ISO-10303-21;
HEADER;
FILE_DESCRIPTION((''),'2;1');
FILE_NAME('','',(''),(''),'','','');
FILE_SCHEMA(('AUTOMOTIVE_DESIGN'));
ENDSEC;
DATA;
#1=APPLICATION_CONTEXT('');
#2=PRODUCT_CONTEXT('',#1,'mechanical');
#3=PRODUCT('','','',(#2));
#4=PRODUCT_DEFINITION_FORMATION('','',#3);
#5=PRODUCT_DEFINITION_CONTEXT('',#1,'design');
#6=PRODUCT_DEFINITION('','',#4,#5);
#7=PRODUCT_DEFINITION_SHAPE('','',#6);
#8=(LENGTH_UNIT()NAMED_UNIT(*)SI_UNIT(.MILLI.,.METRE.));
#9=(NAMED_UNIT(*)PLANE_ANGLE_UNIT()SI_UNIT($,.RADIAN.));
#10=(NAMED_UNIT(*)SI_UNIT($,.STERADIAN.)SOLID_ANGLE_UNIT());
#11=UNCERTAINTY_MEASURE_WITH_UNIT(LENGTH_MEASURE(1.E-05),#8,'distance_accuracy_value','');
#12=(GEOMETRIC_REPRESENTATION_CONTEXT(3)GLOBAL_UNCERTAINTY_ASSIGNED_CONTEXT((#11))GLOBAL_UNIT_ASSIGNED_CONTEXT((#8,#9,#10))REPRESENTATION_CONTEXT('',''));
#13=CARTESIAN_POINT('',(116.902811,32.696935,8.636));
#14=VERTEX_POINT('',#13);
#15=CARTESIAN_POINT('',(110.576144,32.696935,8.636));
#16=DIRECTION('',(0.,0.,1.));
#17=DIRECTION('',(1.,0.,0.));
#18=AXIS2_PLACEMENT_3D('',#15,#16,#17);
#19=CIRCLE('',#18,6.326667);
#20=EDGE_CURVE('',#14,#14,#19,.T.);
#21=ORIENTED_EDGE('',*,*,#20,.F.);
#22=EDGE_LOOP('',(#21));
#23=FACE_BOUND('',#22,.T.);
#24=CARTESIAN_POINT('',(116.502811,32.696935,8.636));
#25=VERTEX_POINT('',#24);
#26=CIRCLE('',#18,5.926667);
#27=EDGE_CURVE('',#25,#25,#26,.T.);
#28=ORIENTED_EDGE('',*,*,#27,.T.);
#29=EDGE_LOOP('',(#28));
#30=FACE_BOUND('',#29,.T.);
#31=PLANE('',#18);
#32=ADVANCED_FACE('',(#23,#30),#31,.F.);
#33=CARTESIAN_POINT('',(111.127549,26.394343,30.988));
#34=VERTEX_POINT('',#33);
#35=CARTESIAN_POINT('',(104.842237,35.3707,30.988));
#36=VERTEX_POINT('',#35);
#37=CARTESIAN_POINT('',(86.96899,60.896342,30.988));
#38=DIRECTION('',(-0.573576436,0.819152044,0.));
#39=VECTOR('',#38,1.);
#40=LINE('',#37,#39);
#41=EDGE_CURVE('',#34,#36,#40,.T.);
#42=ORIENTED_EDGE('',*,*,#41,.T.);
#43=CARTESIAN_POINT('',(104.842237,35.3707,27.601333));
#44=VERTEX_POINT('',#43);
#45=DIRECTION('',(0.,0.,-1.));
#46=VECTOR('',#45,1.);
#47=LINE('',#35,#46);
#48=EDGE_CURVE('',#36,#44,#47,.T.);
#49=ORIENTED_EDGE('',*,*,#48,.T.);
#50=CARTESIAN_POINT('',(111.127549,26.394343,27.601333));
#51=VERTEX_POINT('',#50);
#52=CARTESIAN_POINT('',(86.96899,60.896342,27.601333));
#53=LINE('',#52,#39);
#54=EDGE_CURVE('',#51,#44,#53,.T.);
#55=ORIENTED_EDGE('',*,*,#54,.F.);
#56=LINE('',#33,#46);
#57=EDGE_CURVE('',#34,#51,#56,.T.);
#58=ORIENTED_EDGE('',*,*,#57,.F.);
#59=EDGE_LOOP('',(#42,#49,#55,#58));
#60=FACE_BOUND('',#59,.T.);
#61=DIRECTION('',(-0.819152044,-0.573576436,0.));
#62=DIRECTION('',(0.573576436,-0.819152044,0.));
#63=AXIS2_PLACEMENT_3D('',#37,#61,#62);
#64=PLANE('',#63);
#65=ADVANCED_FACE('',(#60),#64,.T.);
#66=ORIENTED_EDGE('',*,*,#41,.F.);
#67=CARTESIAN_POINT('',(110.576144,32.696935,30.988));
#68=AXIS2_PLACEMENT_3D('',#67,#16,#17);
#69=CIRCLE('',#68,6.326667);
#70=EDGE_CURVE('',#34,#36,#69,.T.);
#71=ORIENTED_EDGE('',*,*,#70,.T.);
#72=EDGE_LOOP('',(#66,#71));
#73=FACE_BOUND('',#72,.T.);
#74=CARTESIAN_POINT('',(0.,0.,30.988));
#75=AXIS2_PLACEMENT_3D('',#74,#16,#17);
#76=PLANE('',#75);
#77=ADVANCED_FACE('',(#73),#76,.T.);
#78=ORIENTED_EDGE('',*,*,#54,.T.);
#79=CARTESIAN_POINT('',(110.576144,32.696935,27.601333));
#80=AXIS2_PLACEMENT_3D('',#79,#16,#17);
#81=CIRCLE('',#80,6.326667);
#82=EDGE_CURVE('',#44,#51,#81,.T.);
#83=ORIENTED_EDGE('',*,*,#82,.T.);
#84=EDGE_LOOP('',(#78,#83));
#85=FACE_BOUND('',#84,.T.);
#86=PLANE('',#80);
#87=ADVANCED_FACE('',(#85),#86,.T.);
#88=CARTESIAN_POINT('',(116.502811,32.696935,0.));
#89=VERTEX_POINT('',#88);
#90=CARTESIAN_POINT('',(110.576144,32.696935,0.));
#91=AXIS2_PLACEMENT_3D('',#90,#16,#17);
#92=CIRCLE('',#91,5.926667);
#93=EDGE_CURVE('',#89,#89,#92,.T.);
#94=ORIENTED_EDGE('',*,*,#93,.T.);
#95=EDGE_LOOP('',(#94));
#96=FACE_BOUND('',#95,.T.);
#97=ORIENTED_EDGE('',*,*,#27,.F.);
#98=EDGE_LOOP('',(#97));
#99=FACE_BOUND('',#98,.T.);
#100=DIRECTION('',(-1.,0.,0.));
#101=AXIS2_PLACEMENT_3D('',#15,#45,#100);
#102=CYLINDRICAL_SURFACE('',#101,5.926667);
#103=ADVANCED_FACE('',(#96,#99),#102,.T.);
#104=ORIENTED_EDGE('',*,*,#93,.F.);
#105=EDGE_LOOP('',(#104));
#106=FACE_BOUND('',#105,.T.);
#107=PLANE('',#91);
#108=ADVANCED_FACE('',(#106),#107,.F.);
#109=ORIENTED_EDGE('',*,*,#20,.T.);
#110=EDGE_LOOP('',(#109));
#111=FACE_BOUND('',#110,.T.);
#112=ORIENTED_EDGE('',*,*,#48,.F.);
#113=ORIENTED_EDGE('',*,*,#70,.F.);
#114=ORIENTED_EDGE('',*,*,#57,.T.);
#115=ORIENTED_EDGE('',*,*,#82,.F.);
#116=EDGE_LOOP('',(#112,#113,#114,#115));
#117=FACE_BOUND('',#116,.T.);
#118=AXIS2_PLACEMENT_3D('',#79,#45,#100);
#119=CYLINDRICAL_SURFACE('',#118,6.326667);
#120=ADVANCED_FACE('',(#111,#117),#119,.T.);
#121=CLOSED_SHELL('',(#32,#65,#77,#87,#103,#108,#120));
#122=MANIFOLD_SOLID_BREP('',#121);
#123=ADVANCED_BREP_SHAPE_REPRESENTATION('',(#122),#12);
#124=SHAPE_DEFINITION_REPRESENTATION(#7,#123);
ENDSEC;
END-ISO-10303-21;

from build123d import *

# Parameters (mm, degrees)
SKETCH1_R           = 5.926666667
BOSS_EXTRUDE1_DEPTH = 8.636
SKETCH2_R           = 6.326666667
BOSS_EXTRUDE2_DEPTH = 18.965333333
BOSS_EXTRUDE3_DEPTH = 3.386666667


with BuildPart() as part:
    # Sketch1 → Boss-Extrude1 (new body)
    with BuildSketch(Plane.XY):
        with Locations((110.576144023, 32.69693519)):
            Circle(SKETCH1_R)
    extrude(amount=BOSS_EXTRUDE1_DEPTH)

    # Sketch2 → Boss-Extrude2 (add)
    with BuildSketch(Plane.XY.offset(8.636)):
        with Locations((110.576144023, 32.69693519)):
            Circle(SKETCH2_R)
    extrude(amount=BOSS_EXTRUDE2_DEPTH)

    # Sketch3 → Boss-Extrude3 (add)
    with BuildSketch(Plane.XY.offset(27.601333333)):
        with BuildLine():
            Line((104.842236757, 35.37070006), (107.984893057, 30.88252173))
            Line((107.984893057, 30.88252173), (111.127549356, 26.3943434))
            ThreePointArc((111.127549356, 26.3943434), (115.240651974, 28.422701143), (116.90281069, 32.69693519))
            ThreePointArc((116.90281069, 32.69693519), (111.945485314, 38.873634595), (104.842236757, 35.37070006))
        make_face()
    extrude(amount=BOSS_EXTRUDE3_DEPTH)


solid = part.part
